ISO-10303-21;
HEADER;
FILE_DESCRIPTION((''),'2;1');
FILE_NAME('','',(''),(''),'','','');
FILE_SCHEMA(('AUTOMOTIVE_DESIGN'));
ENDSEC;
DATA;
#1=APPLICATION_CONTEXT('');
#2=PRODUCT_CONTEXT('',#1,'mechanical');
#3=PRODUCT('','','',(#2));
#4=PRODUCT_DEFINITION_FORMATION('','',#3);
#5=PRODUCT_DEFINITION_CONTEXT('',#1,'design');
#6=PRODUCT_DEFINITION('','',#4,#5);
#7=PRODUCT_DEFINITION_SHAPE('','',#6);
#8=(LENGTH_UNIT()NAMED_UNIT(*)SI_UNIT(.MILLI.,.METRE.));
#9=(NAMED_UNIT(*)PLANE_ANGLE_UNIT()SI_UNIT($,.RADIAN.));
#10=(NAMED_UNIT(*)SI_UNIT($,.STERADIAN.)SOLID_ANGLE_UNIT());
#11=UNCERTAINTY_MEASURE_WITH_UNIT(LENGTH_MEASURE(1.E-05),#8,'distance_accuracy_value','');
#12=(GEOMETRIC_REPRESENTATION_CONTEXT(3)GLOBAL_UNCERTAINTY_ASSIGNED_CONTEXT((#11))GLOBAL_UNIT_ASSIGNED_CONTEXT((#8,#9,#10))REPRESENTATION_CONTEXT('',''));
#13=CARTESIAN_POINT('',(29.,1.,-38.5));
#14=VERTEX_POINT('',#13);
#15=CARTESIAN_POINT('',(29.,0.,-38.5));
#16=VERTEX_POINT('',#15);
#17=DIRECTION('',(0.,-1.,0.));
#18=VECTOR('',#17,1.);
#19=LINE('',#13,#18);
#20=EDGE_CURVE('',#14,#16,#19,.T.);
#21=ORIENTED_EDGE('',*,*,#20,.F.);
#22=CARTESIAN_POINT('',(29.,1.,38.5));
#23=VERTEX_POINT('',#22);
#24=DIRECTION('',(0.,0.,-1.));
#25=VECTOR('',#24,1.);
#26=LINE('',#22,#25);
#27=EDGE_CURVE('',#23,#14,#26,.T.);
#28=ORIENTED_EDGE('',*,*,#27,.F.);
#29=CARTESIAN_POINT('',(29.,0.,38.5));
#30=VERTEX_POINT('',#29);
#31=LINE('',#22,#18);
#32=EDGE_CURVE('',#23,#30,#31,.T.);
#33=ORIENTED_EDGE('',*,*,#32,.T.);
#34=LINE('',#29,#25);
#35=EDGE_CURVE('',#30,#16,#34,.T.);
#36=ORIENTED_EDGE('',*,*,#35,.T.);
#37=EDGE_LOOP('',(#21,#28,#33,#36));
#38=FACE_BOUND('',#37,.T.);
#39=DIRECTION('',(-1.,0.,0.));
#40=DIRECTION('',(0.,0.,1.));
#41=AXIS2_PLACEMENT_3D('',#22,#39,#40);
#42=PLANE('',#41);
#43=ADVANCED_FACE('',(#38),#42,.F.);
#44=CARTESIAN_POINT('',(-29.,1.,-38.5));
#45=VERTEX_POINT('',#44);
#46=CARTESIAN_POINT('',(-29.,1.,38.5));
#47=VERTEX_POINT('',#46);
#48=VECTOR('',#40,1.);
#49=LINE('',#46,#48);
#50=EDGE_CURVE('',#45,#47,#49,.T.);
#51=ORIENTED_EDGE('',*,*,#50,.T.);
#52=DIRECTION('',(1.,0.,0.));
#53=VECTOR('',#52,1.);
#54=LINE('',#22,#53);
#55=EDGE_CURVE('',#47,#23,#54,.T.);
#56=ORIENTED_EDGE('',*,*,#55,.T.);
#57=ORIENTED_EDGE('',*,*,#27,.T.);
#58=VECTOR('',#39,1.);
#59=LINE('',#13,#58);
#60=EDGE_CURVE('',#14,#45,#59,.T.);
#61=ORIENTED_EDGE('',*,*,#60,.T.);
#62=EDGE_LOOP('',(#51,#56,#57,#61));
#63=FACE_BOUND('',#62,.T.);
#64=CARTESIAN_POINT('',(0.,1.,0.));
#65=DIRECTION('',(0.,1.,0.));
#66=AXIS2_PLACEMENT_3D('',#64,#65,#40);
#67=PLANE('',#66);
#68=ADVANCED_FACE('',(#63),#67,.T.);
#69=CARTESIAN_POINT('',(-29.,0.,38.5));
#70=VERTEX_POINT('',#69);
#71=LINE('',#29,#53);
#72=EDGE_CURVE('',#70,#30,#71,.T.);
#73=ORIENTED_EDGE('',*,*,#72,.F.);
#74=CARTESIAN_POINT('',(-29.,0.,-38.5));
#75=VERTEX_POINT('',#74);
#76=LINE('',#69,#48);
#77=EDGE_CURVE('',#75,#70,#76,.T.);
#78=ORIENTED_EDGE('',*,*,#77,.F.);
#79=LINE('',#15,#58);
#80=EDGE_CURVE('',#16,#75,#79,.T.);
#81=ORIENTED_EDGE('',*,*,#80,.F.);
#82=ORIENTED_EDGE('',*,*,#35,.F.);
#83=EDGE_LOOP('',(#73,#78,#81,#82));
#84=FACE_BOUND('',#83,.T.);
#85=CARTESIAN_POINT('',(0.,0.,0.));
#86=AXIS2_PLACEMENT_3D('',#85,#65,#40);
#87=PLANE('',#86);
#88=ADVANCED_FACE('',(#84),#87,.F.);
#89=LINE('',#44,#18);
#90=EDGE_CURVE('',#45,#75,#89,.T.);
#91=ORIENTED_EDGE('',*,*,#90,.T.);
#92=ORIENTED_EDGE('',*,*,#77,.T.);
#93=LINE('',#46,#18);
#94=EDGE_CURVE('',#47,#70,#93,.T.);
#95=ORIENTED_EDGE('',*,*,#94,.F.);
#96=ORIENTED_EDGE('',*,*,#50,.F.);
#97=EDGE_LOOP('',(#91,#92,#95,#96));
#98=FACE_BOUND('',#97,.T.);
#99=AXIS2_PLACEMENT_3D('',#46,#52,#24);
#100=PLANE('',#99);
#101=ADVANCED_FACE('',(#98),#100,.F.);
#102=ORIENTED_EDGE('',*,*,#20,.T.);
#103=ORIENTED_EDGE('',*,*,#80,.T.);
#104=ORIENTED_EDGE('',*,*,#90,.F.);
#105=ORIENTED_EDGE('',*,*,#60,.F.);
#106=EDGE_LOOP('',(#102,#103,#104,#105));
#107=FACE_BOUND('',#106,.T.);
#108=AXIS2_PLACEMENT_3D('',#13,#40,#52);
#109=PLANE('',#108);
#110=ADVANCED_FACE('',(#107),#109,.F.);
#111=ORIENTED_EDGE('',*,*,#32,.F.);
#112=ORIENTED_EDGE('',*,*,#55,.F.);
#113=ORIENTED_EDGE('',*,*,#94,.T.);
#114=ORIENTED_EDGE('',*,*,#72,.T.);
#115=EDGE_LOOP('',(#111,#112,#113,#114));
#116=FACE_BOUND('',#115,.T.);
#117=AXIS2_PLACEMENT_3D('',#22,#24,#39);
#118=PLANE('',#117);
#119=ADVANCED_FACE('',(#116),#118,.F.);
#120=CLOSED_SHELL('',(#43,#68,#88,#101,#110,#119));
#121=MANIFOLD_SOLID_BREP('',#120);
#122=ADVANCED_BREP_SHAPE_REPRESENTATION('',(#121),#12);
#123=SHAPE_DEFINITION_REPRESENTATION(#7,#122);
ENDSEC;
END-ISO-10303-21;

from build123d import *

# Parameters (mm, degrees)
SKETCH_1_W      = 58
SKETCH_1_H      = 77
EXTRUDE_1_DEPTH = 1


with BuildPart() as part:
    # Эскиз1 → Бобышка-Вытянуть1 (new body)
    with BuildSketch(Plane(origin=(0, 0, 0), x_dir=(1, 0, 0), z_dir=(0, 1, 0))):
        Rectangle(SKETCH_1_W, SKETCH_1_H)
    extrude(amount=EXTRUDE_1_DEPTH)


solid = part.part
